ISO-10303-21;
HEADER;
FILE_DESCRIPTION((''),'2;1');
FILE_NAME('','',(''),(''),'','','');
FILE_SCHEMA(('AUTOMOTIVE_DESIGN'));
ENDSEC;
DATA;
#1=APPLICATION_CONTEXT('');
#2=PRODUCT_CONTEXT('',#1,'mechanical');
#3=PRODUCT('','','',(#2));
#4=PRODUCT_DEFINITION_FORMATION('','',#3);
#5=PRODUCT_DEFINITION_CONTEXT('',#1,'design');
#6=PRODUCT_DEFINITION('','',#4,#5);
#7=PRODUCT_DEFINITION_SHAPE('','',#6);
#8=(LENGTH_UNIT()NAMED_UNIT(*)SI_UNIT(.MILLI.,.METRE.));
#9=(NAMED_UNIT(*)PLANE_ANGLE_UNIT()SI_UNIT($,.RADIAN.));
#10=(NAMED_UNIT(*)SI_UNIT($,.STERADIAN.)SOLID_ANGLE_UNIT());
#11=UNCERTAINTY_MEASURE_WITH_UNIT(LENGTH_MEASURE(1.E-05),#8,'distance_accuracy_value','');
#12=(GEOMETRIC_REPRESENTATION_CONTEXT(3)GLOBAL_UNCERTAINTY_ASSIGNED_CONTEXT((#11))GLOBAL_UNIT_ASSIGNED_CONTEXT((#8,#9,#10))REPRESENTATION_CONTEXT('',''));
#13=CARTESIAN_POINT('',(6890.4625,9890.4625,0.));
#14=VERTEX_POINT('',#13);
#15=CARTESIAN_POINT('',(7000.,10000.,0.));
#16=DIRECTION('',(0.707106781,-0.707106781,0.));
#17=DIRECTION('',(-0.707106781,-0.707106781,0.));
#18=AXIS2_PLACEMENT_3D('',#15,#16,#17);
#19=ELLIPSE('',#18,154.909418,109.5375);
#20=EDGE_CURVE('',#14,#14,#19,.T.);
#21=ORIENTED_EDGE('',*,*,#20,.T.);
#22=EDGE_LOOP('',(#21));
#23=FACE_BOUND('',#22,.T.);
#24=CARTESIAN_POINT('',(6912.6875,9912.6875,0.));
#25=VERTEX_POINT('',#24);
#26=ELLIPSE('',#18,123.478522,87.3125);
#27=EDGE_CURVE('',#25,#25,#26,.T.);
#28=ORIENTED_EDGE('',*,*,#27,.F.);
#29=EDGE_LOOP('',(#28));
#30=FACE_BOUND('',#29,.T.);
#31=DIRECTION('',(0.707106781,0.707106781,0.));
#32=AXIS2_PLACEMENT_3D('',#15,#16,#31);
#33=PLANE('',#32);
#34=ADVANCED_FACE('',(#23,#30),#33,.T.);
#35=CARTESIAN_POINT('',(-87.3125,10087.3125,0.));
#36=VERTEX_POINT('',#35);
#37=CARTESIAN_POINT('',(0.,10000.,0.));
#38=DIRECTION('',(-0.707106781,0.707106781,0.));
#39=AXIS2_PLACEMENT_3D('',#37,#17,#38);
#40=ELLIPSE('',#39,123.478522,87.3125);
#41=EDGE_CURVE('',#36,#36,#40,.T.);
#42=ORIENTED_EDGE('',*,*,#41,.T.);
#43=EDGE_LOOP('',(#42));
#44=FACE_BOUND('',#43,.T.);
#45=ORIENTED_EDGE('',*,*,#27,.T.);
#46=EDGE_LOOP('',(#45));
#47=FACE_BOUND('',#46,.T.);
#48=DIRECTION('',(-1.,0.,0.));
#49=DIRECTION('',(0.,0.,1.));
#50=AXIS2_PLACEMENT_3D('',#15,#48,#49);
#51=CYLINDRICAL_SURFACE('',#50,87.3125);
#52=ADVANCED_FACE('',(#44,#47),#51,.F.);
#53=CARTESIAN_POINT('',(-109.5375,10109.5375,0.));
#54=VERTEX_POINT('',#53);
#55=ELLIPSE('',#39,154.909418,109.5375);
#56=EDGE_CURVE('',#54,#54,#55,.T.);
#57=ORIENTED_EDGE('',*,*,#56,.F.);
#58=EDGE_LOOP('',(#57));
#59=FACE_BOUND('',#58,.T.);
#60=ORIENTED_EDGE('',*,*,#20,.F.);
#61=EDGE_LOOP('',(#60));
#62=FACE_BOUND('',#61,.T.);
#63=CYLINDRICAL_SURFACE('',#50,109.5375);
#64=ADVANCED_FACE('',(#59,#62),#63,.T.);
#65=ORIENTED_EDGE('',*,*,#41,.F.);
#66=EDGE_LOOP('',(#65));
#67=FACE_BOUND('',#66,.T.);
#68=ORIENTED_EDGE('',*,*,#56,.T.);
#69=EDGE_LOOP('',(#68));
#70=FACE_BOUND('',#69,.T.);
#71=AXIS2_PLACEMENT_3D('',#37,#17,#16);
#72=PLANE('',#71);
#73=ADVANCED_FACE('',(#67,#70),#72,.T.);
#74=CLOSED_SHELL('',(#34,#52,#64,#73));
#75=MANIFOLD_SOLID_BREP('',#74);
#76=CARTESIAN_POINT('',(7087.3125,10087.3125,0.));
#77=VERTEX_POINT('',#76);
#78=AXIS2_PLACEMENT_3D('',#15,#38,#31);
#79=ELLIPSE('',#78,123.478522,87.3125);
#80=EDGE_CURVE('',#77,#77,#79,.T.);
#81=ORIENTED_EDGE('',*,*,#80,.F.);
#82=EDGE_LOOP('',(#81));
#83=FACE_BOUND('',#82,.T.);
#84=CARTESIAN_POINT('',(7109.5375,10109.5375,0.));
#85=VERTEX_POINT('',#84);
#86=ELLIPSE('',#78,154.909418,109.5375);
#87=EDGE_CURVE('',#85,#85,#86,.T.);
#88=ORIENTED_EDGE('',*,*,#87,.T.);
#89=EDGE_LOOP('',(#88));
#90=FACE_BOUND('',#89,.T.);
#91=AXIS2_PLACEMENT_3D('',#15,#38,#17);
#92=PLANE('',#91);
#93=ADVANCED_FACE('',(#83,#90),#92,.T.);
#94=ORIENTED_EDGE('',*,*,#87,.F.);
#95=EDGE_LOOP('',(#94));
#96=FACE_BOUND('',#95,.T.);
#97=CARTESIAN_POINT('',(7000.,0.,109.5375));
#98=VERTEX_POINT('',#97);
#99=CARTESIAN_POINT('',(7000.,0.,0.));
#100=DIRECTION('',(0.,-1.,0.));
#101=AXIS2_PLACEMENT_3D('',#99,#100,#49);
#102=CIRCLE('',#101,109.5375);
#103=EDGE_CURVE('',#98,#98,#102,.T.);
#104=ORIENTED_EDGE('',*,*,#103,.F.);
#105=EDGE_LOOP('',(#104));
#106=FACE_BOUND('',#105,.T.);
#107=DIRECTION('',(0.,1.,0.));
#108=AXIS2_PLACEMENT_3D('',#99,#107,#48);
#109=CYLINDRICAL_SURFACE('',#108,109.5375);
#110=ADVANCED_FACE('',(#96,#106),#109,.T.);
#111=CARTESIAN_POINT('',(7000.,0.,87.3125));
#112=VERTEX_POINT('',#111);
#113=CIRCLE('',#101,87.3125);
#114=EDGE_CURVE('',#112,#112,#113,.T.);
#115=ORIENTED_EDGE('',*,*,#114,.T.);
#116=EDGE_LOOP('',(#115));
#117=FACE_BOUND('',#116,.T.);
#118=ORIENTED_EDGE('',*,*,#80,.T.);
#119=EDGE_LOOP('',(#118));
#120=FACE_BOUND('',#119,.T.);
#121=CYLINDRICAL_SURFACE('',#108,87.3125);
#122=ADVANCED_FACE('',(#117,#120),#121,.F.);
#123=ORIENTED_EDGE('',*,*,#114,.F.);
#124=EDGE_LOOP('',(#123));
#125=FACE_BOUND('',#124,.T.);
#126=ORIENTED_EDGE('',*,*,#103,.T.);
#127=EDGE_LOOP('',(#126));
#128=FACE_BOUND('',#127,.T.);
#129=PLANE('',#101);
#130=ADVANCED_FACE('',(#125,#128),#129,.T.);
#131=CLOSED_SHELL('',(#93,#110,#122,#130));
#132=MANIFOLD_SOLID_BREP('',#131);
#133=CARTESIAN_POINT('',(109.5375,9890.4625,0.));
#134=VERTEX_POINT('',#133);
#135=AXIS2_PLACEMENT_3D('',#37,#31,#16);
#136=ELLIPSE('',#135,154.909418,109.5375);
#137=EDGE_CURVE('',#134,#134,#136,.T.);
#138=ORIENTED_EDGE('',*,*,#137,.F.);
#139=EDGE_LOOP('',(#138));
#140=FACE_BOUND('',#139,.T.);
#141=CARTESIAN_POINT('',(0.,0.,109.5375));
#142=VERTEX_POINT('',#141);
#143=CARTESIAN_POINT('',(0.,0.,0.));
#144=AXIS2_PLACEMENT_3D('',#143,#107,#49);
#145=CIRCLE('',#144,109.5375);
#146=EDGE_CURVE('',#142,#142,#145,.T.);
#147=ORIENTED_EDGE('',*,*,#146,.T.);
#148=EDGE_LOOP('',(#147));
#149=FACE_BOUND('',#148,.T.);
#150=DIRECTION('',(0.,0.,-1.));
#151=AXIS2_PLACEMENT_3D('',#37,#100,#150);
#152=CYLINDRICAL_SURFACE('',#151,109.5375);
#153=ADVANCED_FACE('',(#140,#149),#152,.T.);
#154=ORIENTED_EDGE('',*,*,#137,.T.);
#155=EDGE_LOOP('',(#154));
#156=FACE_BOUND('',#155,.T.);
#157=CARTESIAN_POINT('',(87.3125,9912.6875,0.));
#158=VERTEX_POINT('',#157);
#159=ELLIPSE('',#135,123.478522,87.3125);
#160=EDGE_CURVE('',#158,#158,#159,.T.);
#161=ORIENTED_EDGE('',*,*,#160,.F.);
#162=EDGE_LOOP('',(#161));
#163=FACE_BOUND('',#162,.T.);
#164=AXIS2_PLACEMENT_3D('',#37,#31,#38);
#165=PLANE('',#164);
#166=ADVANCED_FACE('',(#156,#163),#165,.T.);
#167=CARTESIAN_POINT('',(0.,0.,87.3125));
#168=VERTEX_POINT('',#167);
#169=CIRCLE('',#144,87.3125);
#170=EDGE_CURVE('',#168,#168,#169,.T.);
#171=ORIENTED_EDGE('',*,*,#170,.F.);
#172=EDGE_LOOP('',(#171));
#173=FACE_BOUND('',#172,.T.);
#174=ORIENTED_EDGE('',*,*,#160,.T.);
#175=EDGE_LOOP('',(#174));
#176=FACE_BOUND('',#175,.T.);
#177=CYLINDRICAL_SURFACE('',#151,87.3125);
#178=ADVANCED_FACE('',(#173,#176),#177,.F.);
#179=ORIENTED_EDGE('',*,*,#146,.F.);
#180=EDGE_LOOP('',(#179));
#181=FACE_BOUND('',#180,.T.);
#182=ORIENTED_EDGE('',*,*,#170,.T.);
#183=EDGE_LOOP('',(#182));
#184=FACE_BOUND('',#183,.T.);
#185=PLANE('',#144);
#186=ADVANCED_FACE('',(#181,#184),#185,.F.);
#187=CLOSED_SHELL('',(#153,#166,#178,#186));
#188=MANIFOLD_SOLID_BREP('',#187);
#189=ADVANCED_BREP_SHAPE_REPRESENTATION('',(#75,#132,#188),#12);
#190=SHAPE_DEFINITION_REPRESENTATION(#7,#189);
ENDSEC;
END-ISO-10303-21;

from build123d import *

# Parameters (mm, degrees)
SKETCH14_R                          = 109.5375
SKETCH14_R_2                        = 87.3125
PIPE_XX_STRONG_PIPE_XXS_8_1_DEPTH   = 10155.909418088
SKETCH14_ON_SEGMENT_2_R             = 109.5375
SKETCH14_ON_SEGMENT_2_R_2           = 87.3125
PIPE_XX_STRONG_PIPE_XXS_8_1_2_DEPTH = 7311.818836177
SKETCH14_ON_SEGMENT_3_R             = 109.5375
SKETCH14_ON_SEGMENT_3_R_2           = 87.3125
PIPE_XX_STRONG_PIPE_XXS_8_1_3_DEPTH = 10155.909418089


with BuildPart() as part:
    # Sketch14 → Pipe xx strong PIPE XXS 8(1) (new body)
    with BuildSketch(Plane(origin=(0, 0, 0), x_dir=(-1, 0, 0), z_dir=(0, 1, 0))):
        Circle(SKETCH14_R)
        Circle(SKETCH14_R_2, mode=Mode.SUBTRACT)
    extrude(amount=PIPE_XX_STRONG_PIPE_XXS_8_1_DEPTH)

    # Pipe xx strong PIPE XXS 8(1) mitre 1
    split(bisect_by=Plane(origin=(0, 10000, 0), x_dir=(0.707106781, -0.707106781, 0), z_dir=(-0.707106781, -0.707106781, 0)), keep=Keep.TOP)


with BuildPart() as body_2:
    # Sketch14 on segment 2 (carried to segment 2) → Pipe xx strong PIPE XXS 8_1 2 (new body)
    with BuildSketch(Plane(origin=(-155.909418088, 10000, 0), x_dir=(0, 1, 0), z_dir=(1, 0, 0))):
        Circle(SKETCH14_ON_SEGMENT_2_R)
        Circle(SKETCH14_ON_SEGMENT_2_R_2, mode=Mode.SUBTRACT)
    extrude(amount=PIPE_XX_STRONG_PIPE_XXS_8_1_2_DEPTH)

    # Pipe xx strong PIPE XXS 8_1 2 mitre 1
    split(bisect_by=Plane(origin=(0, 10000, 0), x_dir=(-0.707106781, 0.707106781, 0), z_dir=(0.707106781, 0.707106781, 0)), keep=Keep.TOP)

    # Pipe xx strong PIPE XXS 8_1 2 mitre 2
    split(bisect_by=Plane(origin=(7000, 10000, 0), x_dir=(-0.707106781, -0.707106781, 0), z_dir=(-0.707106781, 0.707106781, 0)), keep=Keep.TOP)


with BuildPart() as body_3:
    # Sketch14 on segment 3 (carried to segment 3) → Pipe xx strong PIPE XXS 8_1 3 (new body)
    with BuildSketch(Plane(origin=(7000, 10155.909418088, 0), x_dir=(1, 0, 0), z_dir=(0, -1, 0))):
        Circle(SKETCH14_ON_SEGMENT_3_R)
        Circle(SKETCH14_ON_SEGMENT_3_R_2, mode=Mode.SUBTRACT)
    extrude(amount=PIPE_XX_STRONG_PIPE_XXS_8_1_3_DEPTH)

    # Pipe xx strong PIPE XXS 8_1 3 mitre 1
    split(bisect_by=Plane(origin=(7000, 10000, 0), x_dir=(0.707106781, 0.707106781, 0), z_dir=(0.707106781, -0.707106781, 0)), keep=Keep.TOP)


solid = Compound([part.part, body_2.part, body_3.part])
